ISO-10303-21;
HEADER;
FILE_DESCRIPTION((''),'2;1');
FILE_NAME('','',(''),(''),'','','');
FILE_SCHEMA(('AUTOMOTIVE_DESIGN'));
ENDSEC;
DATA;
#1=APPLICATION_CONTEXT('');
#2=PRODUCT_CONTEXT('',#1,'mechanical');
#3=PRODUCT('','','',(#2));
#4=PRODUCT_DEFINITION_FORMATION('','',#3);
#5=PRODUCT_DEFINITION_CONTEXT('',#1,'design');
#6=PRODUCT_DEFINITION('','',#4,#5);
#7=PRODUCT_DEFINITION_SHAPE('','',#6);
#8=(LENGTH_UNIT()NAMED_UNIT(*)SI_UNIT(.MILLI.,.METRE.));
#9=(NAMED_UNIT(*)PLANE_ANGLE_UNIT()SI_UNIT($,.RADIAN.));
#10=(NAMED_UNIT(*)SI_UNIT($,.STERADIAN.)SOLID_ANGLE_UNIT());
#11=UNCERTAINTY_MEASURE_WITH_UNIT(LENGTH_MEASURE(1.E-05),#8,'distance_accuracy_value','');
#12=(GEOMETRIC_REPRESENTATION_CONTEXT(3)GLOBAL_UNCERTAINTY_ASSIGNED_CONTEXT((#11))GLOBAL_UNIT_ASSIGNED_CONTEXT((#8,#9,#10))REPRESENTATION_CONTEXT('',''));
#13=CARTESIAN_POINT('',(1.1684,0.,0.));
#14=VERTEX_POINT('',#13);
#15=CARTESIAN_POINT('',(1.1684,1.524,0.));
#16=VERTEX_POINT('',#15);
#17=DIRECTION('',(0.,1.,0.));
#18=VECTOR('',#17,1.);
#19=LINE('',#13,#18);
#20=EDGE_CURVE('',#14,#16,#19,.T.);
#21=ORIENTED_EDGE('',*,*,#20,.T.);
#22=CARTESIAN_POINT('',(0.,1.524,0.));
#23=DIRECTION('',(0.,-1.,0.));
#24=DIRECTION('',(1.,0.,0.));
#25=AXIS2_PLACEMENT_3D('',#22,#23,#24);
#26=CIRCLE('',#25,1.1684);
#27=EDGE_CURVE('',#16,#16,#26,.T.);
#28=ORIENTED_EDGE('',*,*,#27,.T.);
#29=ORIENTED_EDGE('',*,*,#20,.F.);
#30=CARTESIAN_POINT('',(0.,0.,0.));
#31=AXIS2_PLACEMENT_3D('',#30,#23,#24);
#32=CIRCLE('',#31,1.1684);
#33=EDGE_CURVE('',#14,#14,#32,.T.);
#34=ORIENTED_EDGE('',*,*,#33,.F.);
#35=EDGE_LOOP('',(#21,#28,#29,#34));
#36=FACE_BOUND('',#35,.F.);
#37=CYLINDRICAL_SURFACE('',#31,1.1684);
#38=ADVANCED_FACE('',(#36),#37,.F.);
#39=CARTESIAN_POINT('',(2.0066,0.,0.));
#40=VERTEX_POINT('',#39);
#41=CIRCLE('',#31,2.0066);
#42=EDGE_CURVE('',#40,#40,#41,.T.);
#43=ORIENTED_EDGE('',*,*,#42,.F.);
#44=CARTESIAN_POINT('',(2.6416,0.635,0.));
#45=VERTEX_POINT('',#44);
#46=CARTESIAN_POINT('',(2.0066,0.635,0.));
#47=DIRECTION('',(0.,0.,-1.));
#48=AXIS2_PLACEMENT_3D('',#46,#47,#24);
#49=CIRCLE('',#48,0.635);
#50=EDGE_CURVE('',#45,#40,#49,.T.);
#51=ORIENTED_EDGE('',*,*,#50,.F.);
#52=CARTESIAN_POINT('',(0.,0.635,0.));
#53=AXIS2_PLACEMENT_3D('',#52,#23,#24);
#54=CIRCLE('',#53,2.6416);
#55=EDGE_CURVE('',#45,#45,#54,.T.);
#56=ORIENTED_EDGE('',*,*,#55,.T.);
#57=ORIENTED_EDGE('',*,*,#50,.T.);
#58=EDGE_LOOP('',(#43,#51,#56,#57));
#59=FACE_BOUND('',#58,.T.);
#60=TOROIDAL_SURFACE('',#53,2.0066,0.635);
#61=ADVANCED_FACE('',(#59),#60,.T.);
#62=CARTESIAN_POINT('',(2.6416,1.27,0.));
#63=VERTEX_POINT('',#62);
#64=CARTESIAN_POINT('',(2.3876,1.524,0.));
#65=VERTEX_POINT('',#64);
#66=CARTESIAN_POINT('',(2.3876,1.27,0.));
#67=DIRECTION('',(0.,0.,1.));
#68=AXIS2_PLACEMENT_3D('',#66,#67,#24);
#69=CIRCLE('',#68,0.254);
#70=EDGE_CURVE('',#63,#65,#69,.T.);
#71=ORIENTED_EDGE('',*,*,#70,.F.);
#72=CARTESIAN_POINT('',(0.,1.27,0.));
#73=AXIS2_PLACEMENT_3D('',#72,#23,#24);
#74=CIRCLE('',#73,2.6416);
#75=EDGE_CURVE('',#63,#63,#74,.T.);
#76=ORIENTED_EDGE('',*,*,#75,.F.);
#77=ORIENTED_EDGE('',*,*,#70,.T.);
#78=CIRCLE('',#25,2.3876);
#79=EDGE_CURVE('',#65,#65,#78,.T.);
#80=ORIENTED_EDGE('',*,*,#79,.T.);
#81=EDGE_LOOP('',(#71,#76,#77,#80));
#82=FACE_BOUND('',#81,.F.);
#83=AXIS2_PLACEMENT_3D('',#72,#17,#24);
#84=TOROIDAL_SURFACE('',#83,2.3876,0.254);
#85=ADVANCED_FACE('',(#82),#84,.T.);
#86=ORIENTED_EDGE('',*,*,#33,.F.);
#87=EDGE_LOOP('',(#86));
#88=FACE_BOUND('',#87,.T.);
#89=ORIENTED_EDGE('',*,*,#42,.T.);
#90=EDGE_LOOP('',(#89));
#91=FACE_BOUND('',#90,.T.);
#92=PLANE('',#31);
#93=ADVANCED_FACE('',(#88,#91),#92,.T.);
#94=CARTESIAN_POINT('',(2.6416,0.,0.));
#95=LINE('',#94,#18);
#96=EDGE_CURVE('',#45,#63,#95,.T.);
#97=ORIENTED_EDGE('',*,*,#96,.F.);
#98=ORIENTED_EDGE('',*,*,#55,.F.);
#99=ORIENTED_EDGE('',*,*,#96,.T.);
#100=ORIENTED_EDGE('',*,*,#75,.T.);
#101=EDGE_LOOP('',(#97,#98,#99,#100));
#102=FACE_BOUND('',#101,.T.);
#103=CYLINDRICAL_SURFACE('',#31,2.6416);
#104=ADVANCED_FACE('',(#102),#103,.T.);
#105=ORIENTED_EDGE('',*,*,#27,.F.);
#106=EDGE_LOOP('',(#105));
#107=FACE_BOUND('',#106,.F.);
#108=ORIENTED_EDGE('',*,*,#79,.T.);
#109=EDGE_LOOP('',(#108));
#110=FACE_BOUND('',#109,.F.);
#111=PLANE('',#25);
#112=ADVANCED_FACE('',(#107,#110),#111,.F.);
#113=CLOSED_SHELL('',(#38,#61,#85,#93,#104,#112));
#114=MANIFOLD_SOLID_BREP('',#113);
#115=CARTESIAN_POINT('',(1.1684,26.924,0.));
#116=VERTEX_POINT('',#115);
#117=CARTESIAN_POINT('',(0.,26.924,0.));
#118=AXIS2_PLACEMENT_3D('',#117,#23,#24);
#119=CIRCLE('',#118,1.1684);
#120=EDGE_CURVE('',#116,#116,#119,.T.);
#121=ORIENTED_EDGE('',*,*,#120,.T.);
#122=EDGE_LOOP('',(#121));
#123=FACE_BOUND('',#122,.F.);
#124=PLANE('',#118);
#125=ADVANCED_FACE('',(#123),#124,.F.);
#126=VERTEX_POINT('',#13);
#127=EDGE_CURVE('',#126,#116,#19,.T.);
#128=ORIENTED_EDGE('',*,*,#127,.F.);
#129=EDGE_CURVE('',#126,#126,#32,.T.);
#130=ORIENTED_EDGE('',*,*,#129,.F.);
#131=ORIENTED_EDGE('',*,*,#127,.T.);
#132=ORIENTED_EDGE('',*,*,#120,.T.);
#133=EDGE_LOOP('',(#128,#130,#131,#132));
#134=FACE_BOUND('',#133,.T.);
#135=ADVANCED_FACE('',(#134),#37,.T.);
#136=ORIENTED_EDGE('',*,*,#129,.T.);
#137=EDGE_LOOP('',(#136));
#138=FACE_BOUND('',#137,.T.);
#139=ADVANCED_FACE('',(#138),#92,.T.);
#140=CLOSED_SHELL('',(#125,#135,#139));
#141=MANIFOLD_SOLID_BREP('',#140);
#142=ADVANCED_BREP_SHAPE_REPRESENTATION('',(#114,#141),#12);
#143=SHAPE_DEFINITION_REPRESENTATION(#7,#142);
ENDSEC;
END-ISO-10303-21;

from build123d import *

# Parameters (mm, degrees)
F0_R     = 2.6416
F0_R_2   = 1.1684
F1_DEPTH = 1.524
F2_R     = 1.1684
F3_DEPTH = 26.924
F4_R     = 0.635
F5_R     = 0.254


with BuildPart() as f1:
    # F0 (on Front) → F1 (new body)
    with BuildSketch(Plane.XZ):
        Circle(F0_R)
        Circle(F0_R_2, mode=Mode.SUBTRACT)
    extrude(amount=-F1_DEPTH)

    # F4
    f4_edges = [f1.edges().sort_by_distance(p)[0] for p in [
        (-2.6416, 0, 0),
    ]]
    fillet(f4_edges, radius=F4_R)

    # F5
    f5_edges = [f1.edges().sort_by_distance(p)[0] for p in [
        (-2.6416, 1.524, 0),
    ]]
    fillet(f5_edges, radius=F5_R)


with BuildPart() as f3:
    # F2 (on face) → F3 (new body)
    with BuildSketch(Plane.XZ):
        Circle(F2_R)
    extrude(amount=-F3_DEPTH)


solid = Compound([f1.part, f3.part])
